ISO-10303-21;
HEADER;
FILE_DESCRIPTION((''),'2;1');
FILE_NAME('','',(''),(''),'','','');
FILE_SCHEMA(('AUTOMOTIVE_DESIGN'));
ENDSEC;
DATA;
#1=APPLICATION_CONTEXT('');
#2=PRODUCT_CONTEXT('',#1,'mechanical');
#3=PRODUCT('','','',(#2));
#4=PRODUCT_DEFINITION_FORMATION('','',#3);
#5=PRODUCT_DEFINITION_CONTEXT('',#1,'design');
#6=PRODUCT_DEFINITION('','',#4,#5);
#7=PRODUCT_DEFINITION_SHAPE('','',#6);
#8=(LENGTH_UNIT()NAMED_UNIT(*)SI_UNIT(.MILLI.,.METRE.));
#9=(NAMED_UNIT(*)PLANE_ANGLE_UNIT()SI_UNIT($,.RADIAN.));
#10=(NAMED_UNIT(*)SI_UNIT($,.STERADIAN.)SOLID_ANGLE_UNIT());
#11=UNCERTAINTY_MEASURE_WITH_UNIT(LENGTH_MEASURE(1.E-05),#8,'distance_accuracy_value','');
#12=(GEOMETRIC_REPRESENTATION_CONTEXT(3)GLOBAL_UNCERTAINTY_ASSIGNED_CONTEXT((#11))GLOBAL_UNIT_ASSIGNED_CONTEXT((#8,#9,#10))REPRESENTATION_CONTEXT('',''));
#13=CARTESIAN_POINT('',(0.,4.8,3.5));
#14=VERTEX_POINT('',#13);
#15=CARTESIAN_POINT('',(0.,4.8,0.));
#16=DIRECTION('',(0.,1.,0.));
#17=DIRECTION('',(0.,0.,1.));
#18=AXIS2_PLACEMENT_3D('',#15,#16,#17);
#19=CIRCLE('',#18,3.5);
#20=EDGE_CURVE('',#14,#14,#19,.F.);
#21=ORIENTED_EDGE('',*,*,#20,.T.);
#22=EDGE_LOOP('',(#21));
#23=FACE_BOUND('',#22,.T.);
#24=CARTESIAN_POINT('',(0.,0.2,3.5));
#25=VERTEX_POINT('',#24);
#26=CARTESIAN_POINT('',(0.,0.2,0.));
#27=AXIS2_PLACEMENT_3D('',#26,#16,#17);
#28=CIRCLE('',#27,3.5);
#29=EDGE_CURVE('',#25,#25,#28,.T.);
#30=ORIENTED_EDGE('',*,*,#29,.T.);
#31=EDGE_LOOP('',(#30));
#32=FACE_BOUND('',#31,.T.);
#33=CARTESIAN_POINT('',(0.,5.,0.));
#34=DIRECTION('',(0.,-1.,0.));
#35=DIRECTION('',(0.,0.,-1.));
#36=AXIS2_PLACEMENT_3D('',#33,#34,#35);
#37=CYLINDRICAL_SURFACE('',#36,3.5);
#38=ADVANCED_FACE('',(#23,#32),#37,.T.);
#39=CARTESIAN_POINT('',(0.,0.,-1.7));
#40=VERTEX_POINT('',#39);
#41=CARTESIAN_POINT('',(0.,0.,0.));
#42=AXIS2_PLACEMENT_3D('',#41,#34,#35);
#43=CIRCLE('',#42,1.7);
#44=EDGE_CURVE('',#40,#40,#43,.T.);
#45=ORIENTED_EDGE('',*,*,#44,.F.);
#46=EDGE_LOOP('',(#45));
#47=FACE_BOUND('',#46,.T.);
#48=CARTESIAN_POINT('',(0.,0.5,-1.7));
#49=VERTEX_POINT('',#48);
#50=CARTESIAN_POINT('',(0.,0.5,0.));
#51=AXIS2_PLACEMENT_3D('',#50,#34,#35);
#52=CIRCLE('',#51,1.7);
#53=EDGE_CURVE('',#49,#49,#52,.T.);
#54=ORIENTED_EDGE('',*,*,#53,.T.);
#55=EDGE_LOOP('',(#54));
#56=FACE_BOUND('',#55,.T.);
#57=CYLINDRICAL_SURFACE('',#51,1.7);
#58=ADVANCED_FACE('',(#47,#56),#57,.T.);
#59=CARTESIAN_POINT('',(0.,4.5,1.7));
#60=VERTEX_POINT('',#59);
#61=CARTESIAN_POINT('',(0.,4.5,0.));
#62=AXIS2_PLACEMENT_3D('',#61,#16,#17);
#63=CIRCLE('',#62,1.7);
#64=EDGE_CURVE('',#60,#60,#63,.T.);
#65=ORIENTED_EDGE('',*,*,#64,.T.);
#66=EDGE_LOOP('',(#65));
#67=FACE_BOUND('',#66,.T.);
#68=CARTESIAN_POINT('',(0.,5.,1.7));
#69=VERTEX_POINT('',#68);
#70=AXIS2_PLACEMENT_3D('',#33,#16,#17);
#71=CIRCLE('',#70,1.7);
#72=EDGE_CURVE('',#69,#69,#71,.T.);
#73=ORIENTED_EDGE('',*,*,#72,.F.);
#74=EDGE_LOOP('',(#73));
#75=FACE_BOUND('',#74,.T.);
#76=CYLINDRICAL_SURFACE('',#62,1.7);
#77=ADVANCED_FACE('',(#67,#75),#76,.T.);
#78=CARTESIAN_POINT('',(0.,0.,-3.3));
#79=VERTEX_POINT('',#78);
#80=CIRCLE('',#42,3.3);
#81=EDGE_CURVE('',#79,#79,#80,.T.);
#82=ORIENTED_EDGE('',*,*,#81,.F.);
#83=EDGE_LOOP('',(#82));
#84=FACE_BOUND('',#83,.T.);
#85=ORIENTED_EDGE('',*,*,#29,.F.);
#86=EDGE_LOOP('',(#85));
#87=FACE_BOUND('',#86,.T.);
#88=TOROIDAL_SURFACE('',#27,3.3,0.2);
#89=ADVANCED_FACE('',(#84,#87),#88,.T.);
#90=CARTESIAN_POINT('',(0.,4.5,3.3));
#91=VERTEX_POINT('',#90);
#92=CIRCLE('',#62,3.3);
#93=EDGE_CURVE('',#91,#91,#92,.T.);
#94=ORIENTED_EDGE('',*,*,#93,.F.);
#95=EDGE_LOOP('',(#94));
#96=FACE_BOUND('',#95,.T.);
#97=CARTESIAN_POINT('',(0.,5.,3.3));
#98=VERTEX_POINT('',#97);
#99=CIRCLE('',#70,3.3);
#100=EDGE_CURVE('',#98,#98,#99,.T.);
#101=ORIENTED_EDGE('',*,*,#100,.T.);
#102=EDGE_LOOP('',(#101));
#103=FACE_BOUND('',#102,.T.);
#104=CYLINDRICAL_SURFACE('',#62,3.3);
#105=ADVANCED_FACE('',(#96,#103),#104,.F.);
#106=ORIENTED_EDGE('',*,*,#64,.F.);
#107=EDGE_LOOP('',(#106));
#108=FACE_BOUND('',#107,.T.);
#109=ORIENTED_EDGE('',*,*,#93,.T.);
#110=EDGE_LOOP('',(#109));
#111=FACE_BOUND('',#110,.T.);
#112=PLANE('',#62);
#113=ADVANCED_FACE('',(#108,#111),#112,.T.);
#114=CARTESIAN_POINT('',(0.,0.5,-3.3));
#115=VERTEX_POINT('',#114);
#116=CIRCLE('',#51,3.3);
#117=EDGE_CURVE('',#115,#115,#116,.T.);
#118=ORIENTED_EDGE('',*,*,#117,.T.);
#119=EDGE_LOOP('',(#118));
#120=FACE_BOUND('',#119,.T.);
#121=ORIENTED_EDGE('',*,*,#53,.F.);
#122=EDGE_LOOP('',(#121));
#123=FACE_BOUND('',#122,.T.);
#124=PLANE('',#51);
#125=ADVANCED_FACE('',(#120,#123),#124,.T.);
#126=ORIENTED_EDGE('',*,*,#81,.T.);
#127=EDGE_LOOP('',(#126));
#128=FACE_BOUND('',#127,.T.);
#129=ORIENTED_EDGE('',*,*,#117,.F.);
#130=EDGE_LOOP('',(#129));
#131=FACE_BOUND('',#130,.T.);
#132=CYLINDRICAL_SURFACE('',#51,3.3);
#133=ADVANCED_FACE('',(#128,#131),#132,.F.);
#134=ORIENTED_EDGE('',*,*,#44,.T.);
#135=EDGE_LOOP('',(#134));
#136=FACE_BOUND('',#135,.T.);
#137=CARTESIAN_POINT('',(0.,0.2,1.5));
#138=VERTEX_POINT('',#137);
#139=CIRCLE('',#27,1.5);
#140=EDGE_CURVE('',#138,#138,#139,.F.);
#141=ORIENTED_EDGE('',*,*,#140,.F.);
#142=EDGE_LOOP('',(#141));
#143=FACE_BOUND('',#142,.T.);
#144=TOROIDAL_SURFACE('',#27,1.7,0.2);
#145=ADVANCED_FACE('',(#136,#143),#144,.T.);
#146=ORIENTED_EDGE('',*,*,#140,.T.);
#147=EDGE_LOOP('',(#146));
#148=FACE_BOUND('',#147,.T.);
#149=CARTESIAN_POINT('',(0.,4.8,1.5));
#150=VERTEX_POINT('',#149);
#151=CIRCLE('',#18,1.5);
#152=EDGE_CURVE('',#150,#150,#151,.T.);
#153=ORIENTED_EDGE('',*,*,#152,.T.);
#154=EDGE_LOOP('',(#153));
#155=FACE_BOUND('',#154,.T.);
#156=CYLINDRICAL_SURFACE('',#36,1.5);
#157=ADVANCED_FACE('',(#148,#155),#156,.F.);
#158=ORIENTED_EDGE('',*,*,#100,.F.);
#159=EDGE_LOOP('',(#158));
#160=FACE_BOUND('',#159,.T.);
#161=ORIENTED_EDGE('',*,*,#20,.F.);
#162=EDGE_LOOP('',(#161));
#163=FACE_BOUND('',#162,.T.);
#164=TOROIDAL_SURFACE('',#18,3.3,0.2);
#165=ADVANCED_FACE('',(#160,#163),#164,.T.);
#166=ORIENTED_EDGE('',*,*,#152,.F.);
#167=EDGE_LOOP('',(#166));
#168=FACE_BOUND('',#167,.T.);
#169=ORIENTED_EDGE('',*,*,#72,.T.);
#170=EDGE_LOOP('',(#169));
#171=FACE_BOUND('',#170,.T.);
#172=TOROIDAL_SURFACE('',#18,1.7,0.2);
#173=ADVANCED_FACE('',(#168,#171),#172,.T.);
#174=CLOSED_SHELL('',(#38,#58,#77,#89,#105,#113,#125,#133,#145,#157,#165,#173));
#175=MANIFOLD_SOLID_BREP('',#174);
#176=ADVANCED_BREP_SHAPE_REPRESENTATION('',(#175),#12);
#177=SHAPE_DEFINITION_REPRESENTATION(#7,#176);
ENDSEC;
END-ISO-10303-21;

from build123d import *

# Parameters (mm, degrees)
ESQUISSE1_R             = 3.5
ESQUISSE1_R_2           = 1.5
BOSS_EXTRU_1_DEPTH      = 5
CONG_1_R                = 0.2
ESQUISSE3_R             = 3.3
ESQUISSE3_R_2           = 1.7
ENL_V_MAT_EXTRU_1_DEPTH = 0.5
ESQUISSE4_R             = 3.3
ESQUISSE4_R_2           = 1.7
ENL_V_MAT_EXTRU_2_DEPTH = 0.5


with BuildPart() as part:
    # Esquisse1 → Boss.-Extru.1 (new body)
    with BuildSketch(Plane(origin=(0, 0, 0), x_dir=(1, 0, 0), z_dir=(0, 1, 0))):
        Circle(ESQUISSE1_R)
        Circle(ESQUISSE1_R_2, mode=Mode.SUBTRACT)
    extrude(amount=BOSS_EXTRU_1_DEPTH)

    # Congé1
    cong_1_edges = [part.edges().sort_by_distance(p)[0] for p in [
        (-3.5, 0, 0),
        (-3.5, 5, 0),
        (-1.5, 0, 0),
        (-1.5, 5, 0),
    ]]
    fillet(cong_1_edges, radius=CONG_1_R)

    # Esquisse3 → Enlèv. mat.-Extru.1 (cut)
    with BuildSketch(Plane(origin=(0, 5, 0), x_dir=(1, 0, 0), z_dir=(0, 1, 0))):
        Circle(ESQUISSE3_R)
        Circle(ESQUISSE3_R_2, mode=Mode.SUBTRACT)
    extrude(amount=-ENL_V_MAT_EXTRU_1_DEPTH, mode=Mode.SUBTRACT)

    # Esquisse4 → Enlèv. mat.-Extru.2 (cut)
    with BuildSketch(Plane.XZ):
        Circle(ESQUISSE4_R)
        Circle(ESQUISSE4_R_2, mode=Mode.SUBTRACT)
    extrude(amount=-ENL_V_MAT_EXTRU_2_DEPTH, mode=Mode.SUBTRACT)


solid = part.part
